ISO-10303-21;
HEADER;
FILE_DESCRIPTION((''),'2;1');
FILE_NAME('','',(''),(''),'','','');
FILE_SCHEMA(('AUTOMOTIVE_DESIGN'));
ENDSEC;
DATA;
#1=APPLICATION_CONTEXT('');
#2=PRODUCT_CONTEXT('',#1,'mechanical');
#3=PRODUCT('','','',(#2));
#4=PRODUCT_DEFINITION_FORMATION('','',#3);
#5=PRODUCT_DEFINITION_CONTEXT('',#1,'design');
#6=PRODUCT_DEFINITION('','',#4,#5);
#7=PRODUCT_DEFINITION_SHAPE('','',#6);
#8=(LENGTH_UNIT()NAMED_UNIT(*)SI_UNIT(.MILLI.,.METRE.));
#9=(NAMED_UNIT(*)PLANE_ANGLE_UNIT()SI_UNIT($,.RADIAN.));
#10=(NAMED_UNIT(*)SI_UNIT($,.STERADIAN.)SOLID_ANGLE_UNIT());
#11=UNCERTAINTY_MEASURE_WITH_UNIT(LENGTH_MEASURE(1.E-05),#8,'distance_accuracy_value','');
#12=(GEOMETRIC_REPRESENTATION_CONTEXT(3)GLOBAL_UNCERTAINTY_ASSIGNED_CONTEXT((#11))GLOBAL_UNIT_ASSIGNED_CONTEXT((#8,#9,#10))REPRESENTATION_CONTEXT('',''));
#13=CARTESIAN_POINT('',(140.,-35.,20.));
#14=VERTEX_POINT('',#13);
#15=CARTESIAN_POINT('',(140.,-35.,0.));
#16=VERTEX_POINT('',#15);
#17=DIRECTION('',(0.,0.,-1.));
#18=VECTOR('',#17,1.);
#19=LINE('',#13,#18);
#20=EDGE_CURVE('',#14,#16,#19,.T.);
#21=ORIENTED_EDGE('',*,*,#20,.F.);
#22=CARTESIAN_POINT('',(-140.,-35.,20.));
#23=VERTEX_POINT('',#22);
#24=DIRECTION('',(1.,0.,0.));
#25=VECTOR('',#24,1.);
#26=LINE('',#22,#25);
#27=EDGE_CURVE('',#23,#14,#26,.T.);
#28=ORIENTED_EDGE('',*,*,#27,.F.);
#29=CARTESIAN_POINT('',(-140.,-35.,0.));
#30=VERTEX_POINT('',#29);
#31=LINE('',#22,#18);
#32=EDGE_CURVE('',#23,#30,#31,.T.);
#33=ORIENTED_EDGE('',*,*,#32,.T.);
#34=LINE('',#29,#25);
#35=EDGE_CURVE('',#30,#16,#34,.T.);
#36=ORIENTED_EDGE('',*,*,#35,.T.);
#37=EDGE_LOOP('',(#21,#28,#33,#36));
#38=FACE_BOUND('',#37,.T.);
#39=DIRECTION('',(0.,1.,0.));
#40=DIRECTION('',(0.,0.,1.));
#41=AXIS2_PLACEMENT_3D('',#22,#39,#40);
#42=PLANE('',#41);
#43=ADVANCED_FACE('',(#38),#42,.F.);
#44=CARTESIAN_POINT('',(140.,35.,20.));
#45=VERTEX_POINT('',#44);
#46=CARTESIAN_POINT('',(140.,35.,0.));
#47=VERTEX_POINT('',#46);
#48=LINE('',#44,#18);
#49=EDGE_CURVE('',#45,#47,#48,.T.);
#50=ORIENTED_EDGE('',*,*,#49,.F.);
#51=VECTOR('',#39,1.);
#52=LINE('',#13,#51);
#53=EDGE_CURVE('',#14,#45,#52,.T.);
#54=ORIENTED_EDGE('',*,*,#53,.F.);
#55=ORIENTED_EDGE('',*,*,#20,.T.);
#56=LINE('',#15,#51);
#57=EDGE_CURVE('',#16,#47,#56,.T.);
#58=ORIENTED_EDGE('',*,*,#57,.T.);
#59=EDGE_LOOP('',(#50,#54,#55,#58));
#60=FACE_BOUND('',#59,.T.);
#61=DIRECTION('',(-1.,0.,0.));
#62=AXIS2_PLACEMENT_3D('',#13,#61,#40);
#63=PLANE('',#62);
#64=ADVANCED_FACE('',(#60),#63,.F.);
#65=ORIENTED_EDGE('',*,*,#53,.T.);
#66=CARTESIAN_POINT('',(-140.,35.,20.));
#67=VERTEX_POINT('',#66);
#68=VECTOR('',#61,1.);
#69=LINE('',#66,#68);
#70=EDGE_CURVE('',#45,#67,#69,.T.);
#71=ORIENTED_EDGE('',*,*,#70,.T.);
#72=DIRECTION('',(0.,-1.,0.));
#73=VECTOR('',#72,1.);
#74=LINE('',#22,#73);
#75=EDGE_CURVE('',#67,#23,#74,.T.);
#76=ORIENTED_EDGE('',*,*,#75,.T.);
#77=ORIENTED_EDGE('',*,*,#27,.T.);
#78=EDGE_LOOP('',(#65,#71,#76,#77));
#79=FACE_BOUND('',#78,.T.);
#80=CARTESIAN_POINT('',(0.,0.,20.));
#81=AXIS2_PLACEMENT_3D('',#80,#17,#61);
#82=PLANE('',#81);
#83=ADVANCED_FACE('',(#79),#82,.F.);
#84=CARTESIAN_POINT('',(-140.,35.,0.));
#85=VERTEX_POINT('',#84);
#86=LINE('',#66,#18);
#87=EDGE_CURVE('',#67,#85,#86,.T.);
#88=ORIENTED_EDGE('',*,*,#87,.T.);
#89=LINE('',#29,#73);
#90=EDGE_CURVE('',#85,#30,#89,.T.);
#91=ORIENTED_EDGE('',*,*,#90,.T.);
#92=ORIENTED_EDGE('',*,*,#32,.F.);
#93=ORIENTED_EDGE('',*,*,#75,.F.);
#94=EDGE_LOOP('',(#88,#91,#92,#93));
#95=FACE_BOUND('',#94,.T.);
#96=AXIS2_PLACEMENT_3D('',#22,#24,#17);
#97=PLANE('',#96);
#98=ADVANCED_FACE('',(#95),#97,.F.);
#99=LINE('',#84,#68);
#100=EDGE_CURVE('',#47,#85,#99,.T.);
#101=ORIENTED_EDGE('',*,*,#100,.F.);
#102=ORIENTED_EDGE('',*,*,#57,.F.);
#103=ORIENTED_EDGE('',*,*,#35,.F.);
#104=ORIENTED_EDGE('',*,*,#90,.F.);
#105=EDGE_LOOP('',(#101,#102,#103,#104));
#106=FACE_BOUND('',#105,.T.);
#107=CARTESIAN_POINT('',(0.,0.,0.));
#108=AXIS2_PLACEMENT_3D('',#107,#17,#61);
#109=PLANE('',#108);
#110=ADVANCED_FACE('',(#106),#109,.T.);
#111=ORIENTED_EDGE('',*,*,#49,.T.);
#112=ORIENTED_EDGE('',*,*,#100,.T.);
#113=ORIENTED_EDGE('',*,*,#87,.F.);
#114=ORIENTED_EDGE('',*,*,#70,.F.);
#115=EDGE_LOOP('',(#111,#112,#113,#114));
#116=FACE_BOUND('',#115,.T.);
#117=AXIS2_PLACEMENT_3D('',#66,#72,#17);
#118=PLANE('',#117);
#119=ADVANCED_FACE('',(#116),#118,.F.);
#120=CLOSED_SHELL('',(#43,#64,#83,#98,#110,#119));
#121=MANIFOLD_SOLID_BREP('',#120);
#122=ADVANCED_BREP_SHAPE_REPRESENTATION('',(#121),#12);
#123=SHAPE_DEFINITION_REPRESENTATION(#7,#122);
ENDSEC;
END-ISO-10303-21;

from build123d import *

# Parameters (mm, degrees)
SKETCH_1_W      = 280
SKETCH_1_H      = 70
EXTRUDE_1_DEPTH = 20


with BuildPart() as part:
    # 草图1 → 凸台-拉伸1 (new body)
    with BuildSketch(Plane.XY):
        Rectangle(SKETCH_1_W, SKETCH_1_H)
    extrude(amount=EXTRUDE_1_DEPTH)


solid = part.part
